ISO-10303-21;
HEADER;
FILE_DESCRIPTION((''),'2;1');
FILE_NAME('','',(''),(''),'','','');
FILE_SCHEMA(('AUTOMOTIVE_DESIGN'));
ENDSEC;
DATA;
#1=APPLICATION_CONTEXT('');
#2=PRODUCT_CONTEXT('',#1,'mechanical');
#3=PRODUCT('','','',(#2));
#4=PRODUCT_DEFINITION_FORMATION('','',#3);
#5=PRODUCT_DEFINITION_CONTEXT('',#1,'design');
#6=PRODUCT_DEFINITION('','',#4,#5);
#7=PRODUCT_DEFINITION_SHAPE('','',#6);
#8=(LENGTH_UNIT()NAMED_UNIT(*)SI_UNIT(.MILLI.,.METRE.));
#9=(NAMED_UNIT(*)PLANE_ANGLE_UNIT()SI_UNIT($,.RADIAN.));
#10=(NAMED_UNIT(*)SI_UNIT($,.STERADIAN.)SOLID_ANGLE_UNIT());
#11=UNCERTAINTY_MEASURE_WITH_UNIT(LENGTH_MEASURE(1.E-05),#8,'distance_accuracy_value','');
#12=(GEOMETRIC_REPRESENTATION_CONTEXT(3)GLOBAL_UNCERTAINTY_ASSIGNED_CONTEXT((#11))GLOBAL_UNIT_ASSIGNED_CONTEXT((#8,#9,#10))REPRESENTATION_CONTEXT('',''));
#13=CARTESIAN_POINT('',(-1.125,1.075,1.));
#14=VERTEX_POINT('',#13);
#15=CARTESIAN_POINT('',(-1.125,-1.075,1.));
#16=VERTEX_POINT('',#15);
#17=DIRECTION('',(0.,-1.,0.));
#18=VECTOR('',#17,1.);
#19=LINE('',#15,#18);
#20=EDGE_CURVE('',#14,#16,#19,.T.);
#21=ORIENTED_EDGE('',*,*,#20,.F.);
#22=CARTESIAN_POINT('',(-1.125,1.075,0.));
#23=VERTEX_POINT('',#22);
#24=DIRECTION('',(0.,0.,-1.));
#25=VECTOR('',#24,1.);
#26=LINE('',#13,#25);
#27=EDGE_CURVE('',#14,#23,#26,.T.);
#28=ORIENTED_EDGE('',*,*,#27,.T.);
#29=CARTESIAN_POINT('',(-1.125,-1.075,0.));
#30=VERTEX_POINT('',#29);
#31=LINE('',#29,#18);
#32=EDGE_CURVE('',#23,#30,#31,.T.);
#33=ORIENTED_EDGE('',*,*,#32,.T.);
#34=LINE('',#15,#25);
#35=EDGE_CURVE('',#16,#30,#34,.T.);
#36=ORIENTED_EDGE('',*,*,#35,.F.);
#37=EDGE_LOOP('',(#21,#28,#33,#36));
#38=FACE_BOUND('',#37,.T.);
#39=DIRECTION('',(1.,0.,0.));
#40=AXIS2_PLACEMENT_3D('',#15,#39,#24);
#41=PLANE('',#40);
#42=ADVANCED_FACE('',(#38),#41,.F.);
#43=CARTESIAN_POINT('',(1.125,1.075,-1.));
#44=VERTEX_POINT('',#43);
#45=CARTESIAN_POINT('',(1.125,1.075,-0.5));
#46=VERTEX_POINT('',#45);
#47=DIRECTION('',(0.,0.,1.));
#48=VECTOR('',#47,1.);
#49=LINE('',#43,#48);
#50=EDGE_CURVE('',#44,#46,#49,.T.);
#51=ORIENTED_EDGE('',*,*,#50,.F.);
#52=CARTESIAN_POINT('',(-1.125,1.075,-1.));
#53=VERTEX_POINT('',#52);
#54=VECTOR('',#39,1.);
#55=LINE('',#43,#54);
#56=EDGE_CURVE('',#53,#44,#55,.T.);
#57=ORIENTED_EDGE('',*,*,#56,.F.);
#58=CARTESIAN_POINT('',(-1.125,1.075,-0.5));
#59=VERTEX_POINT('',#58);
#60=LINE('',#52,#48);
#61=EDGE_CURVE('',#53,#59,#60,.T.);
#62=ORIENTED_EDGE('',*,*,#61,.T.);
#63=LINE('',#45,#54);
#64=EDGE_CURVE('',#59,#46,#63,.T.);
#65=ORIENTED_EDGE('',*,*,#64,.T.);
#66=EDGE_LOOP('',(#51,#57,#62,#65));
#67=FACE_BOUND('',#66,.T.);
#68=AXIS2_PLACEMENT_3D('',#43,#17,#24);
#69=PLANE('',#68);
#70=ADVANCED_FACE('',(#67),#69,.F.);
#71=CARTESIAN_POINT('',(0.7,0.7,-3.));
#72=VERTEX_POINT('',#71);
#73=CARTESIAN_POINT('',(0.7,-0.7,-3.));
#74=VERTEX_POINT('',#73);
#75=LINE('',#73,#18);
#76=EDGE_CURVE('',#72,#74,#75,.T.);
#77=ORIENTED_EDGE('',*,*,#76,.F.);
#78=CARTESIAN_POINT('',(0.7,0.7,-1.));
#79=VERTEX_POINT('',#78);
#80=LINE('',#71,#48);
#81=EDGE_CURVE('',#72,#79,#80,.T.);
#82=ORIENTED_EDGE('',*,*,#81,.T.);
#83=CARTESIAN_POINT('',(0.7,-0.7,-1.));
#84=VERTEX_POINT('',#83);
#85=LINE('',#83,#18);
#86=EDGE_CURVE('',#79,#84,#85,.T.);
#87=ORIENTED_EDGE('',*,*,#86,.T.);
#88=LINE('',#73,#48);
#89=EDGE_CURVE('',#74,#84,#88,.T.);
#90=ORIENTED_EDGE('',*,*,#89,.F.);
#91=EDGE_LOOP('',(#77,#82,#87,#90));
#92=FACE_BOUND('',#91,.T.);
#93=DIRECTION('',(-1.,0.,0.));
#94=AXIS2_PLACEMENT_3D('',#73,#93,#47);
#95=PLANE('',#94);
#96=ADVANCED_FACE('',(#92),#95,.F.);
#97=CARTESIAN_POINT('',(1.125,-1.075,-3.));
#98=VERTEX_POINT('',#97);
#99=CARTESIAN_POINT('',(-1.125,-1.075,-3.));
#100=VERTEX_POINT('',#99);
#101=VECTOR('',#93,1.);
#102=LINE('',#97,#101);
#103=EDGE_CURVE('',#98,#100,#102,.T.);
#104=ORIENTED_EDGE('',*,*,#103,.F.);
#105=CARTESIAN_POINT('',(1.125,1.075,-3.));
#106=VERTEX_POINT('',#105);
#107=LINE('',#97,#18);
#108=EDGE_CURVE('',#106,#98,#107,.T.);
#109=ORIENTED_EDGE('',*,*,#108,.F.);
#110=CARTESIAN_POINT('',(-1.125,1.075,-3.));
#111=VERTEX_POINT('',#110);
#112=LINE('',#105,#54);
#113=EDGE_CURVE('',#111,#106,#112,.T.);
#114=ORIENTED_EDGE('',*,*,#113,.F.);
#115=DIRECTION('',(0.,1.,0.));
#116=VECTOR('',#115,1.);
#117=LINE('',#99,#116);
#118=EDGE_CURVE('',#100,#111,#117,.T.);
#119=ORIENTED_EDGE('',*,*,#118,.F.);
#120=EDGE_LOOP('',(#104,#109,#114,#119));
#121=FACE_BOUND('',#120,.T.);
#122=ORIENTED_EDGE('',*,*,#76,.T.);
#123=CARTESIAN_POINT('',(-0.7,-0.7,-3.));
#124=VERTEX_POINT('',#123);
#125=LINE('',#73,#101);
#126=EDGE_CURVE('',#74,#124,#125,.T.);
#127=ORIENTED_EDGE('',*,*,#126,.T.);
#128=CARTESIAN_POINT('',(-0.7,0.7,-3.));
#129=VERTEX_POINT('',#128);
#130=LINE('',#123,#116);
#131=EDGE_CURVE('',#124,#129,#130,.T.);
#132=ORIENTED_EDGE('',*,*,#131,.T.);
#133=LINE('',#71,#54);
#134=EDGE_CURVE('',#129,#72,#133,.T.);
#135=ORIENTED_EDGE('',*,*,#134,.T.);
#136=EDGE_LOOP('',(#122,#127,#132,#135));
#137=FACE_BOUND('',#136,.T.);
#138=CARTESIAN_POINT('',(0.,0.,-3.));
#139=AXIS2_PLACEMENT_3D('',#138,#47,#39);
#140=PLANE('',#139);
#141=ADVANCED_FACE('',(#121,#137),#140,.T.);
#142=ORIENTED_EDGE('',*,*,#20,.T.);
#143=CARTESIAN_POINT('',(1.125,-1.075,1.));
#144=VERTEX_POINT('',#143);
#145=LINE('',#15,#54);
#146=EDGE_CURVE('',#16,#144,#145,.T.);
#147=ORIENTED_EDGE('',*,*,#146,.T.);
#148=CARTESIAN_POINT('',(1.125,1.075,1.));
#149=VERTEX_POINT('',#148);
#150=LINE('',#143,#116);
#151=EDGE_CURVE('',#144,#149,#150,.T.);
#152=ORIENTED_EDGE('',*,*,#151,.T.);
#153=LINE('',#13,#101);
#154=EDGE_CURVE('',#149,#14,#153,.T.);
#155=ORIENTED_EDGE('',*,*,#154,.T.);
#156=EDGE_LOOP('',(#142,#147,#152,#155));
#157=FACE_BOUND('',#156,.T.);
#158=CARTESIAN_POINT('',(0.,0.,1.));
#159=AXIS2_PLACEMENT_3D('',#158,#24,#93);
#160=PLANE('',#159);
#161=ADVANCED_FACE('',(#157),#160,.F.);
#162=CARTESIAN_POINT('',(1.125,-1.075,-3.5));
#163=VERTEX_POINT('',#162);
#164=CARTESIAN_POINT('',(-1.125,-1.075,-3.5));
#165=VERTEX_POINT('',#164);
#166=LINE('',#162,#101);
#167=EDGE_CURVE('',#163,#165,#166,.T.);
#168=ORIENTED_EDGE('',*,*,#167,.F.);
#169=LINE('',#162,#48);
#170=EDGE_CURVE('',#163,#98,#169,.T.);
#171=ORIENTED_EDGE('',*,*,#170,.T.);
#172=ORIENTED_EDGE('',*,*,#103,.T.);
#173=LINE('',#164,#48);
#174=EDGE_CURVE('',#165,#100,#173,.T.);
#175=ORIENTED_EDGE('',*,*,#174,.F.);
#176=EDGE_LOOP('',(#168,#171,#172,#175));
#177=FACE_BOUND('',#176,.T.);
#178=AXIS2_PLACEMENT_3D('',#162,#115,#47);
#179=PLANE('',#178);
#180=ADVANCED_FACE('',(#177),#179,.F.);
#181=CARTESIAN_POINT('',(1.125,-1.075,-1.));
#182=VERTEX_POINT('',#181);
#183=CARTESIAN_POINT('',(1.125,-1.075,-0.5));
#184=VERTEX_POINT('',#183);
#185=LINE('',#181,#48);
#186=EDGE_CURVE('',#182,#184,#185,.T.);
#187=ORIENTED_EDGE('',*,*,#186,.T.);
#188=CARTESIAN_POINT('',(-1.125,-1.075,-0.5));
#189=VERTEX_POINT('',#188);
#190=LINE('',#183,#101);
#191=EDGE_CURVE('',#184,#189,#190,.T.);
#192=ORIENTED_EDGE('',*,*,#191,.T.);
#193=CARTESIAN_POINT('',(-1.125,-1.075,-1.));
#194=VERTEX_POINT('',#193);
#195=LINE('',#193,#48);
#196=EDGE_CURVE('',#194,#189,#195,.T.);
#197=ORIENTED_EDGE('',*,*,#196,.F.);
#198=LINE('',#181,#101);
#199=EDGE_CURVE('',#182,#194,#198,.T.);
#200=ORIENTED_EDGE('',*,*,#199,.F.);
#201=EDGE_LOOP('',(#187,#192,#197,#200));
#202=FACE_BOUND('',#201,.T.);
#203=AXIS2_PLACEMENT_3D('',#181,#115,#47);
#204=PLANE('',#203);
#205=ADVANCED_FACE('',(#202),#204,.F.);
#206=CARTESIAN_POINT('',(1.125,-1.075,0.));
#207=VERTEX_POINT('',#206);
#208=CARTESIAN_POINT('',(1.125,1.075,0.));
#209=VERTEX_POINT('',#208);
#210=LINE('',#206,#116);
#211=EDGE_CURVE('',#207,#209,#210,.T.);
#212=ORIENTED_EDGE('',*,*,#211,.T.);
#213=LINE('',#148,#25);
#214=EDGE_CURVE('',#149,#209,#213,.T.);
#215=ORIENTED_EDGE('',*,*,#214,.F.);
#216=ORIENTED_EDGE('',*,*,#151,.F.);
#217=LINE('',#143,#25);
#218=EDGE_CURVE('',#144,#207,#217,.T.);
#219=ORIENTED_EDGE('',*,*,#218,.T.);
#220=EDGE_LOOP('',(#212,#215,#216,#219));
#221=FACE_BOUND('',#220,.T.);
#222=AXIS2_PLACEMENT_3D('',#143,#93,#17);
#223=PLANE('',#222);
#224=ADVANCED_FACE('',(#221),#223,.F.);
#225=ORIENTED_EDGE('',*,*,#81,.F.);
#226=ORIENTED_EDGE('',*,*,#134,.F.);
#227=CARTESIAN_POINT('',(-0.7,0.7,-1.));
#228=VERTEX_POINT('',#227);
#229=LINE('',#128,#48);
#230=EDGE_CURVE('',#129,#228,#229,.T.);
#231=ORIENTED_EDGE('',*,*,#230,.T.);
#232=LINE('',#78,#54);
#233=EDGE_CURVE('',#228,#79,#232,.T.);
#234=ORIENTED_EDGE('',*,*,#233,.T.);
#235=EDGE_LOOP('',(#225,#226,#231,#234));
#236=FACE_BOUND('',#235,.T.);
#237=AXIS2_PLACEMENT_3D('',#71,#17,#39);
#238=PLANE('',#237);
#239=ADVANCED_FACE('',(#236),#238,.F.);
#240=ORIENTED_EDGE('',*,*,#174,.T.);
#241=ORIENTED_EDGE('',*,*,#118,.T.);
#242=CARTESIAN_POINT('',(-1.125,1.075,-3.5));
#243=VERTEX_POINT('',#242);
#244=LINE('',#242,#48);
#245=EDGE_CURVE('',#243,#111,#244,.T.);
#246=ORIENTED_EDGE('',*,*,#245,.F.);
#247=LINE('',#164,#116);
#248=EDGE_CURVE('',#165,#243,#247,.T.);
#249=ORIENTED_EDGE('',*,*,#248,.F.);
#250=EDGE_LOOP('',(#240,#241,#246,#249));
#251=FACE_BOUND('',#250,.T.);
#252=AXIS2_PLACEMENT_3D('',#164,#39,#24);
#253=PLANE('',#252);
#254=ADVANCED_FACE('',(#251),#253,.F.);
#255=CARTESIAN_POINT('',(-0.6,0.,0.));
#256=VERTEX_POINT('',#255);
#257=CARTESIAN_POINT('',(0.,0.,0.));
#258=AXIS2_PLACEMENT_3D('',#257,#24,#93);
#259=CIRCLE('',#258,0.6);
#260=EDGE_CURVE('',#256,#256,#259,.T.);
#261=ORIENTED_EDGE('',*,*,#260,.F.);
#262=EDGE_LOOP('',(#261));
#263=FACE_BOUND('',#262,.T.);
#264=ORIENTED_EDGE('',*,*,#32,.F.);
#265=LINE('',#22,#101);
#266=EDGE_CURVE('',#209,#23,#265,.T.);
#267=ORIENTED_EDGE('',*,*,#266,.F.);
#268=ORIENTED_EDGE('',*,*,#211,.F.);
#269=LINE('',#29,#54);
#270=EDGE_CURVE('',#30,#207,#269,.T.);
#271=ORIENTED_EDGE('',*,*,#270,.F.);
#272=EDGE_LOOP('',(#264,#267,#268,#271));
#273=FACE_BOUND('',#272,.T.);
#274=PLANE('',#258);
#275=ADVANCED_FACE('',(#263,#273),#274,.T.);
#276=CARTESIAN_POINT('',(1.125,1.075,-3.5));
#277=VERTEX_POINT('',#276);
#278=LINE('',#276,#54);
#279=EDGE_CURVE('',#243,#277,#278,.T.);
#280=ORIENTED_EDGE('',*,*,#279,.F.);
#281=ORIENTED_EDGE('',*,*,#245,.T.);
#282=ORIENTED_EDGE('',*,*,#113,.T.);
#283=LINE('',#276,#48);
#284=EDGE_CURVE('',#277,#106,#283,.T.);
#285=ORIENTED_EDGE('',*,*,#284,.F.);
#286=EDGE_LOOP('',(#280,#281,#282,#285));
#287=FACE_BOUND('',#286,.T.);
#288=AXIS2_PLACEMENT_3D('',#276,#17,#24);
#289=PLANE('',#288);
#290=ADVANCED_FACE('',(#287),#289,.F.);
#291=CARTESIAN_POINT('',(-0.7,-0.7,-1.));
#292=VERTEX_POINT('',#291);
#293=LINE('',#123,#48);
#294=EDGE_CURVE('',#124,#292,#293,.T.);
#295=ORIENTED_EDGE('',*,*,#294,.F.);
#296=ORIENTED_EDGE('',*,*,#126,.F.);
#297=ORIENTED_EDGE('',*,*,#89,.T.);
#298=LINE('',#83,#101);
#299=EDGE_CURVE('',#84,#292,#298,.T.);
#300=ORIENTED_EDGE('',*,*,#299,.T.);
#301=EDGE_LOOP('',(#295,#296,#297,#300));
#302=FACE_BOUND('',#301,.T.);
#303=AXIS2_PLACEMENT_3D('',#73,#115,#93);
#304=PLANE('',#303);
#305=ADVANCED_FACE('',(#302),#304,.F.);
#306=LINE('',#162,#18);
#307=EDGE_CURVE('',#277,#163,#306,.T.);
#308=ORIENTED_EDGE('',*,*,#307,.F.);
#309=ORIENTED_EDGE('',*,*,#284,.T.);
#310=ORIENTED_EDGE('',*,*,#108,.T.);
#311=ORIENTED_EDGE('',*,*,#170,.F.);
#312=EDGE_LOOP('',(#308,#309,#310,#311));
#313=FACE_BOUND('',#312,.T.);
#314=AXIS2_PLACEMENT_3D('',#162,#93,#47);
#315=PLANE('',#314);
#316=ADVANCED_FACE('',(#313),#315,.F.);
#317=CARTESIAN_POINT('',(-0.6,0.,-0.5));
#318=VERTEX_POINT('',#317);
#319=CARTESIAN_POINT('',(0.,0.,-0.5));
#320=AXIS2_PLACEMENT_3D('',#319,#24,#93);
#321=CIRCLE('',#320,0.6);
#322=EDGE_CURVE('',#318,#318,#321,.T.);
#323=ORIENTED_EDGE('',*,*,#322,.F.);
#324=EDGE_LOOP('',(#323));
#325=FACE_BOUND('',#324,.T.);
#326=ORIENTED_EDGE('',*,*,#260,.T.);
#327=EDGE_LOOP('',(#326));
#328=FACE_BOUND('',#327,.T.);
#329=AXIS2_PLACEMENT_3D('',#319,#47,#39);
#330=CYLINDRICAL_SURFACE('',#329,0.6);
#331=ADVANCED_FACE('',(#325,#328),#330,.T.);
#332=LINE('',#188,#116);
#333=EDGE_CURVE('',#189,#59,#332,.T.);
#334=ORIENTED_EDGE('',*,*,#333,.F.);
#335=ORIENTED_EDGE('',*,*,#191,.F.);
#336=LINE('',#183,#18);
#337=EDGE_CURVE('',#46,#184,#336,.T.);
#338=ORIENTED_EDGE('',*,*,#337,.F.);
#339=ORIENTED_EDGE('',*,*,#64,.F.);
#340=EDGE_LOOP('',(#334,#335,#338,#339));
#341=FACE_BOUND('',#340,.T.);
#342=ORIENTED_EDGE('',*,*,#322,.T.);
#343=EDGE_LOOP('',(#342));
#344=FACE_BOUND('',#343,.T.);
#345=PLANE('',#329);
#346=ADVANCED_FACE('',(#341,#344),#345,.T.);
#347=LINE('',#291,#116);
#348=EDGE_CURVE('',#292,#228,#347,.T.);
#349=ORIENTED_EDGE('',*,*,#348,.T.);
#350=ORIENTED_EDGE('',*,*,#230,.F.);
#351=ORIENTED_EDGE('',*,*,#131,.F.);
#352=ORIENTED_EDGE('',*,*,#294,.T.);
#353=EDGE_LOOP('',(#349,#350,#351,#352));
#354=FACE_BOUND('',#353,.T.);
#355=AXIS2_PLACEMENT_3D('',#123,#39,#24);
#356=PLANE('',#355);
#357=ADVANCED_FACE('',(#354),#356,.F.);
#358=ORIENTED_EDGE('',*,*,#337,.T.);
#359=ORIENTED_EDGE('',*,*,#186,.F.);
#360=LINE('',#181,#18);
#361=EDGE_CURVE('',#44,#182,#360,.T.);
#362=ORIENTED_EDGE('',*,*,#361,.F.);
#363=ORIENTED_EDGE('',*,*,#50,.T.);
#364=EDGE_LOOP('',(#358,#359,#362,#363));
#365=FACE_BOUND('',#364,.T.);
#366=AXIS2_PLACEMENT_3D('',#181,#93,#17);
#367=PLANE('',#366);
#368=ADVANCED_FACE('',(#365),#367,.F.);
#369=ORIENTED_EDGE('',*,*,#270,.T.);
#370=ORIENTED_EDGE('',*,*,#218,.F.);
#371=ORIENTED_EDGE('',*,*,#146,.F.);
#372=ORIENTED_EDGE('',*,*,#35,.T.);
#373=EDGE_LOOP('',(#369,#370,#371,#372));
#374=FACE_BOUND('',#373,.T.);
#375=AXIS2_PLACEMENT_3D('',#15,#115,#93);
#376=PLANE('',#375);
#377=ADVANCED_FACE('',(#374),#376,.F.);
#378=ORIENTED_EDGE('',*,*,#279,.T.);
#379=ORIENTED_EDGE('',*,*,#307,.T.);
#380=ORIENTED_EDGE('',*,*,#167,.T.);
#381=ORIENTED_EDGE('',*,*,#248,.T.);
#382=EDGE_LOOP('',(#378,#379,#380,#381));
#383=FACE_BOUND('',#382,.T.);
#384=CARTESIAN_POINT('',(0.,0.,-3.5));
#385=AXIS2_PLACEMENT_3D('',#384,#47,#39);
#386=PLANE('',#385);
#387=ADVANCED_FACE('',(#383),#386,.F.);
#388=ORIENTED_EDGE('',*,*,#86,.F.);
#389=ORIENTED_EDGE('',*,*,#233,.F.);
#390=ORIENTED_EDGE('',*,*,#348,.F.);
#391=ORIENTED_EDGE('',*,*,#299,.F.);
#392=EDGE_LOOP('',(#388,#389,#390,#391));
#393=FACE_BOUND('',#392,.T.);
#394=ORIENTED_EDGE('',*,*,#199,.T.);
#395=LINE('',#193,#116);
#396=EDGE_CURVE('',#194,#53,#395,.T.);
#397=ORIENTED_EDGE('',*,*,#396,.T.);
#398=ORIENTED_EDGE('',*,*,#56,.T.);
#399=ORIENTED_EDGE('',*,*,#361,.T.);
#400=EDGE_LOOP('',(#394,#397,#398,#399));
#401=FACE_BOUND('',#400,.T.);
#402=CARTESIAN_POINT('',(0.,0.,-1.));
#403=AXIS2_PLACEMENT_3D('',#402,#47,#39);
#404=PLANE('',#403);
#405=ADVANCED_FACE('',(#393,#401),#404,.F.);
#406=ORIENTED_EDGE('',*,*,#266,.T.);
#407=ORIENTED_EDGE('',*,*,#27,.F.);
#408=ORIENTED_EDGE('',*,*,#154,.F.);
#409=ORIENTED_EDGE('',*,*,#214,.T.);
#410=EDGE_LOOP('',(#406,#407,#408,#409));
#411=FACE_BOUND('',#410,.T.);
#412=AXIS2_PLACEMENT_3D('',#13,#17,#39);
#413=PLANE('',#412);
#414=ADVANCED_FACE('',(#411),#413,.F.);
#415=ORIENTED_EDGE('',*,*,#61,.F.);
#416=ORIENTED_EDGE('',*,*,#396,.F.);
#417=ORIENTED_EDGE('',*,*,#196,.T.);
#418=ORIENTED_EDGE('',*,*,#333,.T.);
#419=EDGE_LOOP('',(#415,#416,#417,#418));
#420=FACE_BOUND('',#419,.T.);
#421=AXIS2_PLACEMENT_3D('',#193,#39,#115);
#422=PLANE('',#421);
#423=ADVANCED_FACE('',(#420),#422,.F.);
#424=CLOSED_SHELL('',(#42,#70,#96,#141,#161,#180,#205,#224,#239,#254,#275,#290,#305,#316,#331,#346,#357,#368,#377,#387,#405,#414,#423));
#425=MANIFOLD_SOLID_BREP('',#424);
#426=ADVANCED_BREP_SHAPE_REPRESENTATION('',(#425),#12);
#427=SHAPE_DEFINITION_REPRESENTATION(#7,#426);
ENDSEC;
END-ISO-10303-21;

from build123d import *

# Parameters (mm, degrees)
SKETCH_2_W      = 2.25
SKETCH_2_H      = 2.15
EXTRUDE_4_DEPTH = 1
SKETCH_4_R      = 0.6
EXTRUDE_5_DEPTH = 0.5
SKETCH_5_W      = 2.25
SKETCH_5_H      = 2.15
EXTRUDE_6_DEPTH = 0.5
SKETCH_9_W      = 1.4
SKETCH_9_H      = 1.4
EXTRUDE_7_DEPTH = 2
SKETCH_10_W     = 2.25
SKETCH_10_H     = 2.15
EXTRUDE_8_DEPTH = 0.5


with BuildPart() as part:
    # 草图2 → 凸台-拉伸4 (new body)
    with BuildSketch(Plane.XY):
        Rectangle(SKETCH_2_W, SKETCH_2_H)
    extrude(amount=EXTRUDE_4_DEPTH)

    # 草图4 → 凸台-拉伸5 (add)
    with BuildSketch(Plane(origin=(0, 0, 0), x_dir=(-1, 0, 0), z_dir=(0, 0, -1))):
        Circle(SKETCH_4_R)
    extrude(amount=EXTRUDE_5_DEPTH)

    # 草图5 → 凸台-拉伸6 (add)
    with BuildSketch(Plane(origin=(0, 0, -0.5), x_dir=(-1, 0, 0), z_dir=(0, 0, -1))):
        Rectangle(SKETCH_5_W, SKETCH_5_H)
    extrude(amount=EXTRUDE_6_DEPTH)

    # 草图9 → 凸台-拉伸7 (add)
    with BuildSketch(Plane(origin=(0, 0, -1), x_dir=(-1, 0, 0), z_dir=(0, 0, -1))):
        Rectangle(SKETCH_9_W, SKETCH_9_H)
    extrude(amount=EXTRUDE_7_DEPTH)

    # 草图10 → 凸台-拉伸8 (add)
    with BuildSketch(Plane(origin=(0, 0, -3), x_dir=(-1, 0, 0), z_dir=(0, 0, -1))):
        Rectangle(SKETCH_10_W, SKETCH_10_H)
    extrude(amount=EXTRUDE_8_DEPTH)


solid = part.part
